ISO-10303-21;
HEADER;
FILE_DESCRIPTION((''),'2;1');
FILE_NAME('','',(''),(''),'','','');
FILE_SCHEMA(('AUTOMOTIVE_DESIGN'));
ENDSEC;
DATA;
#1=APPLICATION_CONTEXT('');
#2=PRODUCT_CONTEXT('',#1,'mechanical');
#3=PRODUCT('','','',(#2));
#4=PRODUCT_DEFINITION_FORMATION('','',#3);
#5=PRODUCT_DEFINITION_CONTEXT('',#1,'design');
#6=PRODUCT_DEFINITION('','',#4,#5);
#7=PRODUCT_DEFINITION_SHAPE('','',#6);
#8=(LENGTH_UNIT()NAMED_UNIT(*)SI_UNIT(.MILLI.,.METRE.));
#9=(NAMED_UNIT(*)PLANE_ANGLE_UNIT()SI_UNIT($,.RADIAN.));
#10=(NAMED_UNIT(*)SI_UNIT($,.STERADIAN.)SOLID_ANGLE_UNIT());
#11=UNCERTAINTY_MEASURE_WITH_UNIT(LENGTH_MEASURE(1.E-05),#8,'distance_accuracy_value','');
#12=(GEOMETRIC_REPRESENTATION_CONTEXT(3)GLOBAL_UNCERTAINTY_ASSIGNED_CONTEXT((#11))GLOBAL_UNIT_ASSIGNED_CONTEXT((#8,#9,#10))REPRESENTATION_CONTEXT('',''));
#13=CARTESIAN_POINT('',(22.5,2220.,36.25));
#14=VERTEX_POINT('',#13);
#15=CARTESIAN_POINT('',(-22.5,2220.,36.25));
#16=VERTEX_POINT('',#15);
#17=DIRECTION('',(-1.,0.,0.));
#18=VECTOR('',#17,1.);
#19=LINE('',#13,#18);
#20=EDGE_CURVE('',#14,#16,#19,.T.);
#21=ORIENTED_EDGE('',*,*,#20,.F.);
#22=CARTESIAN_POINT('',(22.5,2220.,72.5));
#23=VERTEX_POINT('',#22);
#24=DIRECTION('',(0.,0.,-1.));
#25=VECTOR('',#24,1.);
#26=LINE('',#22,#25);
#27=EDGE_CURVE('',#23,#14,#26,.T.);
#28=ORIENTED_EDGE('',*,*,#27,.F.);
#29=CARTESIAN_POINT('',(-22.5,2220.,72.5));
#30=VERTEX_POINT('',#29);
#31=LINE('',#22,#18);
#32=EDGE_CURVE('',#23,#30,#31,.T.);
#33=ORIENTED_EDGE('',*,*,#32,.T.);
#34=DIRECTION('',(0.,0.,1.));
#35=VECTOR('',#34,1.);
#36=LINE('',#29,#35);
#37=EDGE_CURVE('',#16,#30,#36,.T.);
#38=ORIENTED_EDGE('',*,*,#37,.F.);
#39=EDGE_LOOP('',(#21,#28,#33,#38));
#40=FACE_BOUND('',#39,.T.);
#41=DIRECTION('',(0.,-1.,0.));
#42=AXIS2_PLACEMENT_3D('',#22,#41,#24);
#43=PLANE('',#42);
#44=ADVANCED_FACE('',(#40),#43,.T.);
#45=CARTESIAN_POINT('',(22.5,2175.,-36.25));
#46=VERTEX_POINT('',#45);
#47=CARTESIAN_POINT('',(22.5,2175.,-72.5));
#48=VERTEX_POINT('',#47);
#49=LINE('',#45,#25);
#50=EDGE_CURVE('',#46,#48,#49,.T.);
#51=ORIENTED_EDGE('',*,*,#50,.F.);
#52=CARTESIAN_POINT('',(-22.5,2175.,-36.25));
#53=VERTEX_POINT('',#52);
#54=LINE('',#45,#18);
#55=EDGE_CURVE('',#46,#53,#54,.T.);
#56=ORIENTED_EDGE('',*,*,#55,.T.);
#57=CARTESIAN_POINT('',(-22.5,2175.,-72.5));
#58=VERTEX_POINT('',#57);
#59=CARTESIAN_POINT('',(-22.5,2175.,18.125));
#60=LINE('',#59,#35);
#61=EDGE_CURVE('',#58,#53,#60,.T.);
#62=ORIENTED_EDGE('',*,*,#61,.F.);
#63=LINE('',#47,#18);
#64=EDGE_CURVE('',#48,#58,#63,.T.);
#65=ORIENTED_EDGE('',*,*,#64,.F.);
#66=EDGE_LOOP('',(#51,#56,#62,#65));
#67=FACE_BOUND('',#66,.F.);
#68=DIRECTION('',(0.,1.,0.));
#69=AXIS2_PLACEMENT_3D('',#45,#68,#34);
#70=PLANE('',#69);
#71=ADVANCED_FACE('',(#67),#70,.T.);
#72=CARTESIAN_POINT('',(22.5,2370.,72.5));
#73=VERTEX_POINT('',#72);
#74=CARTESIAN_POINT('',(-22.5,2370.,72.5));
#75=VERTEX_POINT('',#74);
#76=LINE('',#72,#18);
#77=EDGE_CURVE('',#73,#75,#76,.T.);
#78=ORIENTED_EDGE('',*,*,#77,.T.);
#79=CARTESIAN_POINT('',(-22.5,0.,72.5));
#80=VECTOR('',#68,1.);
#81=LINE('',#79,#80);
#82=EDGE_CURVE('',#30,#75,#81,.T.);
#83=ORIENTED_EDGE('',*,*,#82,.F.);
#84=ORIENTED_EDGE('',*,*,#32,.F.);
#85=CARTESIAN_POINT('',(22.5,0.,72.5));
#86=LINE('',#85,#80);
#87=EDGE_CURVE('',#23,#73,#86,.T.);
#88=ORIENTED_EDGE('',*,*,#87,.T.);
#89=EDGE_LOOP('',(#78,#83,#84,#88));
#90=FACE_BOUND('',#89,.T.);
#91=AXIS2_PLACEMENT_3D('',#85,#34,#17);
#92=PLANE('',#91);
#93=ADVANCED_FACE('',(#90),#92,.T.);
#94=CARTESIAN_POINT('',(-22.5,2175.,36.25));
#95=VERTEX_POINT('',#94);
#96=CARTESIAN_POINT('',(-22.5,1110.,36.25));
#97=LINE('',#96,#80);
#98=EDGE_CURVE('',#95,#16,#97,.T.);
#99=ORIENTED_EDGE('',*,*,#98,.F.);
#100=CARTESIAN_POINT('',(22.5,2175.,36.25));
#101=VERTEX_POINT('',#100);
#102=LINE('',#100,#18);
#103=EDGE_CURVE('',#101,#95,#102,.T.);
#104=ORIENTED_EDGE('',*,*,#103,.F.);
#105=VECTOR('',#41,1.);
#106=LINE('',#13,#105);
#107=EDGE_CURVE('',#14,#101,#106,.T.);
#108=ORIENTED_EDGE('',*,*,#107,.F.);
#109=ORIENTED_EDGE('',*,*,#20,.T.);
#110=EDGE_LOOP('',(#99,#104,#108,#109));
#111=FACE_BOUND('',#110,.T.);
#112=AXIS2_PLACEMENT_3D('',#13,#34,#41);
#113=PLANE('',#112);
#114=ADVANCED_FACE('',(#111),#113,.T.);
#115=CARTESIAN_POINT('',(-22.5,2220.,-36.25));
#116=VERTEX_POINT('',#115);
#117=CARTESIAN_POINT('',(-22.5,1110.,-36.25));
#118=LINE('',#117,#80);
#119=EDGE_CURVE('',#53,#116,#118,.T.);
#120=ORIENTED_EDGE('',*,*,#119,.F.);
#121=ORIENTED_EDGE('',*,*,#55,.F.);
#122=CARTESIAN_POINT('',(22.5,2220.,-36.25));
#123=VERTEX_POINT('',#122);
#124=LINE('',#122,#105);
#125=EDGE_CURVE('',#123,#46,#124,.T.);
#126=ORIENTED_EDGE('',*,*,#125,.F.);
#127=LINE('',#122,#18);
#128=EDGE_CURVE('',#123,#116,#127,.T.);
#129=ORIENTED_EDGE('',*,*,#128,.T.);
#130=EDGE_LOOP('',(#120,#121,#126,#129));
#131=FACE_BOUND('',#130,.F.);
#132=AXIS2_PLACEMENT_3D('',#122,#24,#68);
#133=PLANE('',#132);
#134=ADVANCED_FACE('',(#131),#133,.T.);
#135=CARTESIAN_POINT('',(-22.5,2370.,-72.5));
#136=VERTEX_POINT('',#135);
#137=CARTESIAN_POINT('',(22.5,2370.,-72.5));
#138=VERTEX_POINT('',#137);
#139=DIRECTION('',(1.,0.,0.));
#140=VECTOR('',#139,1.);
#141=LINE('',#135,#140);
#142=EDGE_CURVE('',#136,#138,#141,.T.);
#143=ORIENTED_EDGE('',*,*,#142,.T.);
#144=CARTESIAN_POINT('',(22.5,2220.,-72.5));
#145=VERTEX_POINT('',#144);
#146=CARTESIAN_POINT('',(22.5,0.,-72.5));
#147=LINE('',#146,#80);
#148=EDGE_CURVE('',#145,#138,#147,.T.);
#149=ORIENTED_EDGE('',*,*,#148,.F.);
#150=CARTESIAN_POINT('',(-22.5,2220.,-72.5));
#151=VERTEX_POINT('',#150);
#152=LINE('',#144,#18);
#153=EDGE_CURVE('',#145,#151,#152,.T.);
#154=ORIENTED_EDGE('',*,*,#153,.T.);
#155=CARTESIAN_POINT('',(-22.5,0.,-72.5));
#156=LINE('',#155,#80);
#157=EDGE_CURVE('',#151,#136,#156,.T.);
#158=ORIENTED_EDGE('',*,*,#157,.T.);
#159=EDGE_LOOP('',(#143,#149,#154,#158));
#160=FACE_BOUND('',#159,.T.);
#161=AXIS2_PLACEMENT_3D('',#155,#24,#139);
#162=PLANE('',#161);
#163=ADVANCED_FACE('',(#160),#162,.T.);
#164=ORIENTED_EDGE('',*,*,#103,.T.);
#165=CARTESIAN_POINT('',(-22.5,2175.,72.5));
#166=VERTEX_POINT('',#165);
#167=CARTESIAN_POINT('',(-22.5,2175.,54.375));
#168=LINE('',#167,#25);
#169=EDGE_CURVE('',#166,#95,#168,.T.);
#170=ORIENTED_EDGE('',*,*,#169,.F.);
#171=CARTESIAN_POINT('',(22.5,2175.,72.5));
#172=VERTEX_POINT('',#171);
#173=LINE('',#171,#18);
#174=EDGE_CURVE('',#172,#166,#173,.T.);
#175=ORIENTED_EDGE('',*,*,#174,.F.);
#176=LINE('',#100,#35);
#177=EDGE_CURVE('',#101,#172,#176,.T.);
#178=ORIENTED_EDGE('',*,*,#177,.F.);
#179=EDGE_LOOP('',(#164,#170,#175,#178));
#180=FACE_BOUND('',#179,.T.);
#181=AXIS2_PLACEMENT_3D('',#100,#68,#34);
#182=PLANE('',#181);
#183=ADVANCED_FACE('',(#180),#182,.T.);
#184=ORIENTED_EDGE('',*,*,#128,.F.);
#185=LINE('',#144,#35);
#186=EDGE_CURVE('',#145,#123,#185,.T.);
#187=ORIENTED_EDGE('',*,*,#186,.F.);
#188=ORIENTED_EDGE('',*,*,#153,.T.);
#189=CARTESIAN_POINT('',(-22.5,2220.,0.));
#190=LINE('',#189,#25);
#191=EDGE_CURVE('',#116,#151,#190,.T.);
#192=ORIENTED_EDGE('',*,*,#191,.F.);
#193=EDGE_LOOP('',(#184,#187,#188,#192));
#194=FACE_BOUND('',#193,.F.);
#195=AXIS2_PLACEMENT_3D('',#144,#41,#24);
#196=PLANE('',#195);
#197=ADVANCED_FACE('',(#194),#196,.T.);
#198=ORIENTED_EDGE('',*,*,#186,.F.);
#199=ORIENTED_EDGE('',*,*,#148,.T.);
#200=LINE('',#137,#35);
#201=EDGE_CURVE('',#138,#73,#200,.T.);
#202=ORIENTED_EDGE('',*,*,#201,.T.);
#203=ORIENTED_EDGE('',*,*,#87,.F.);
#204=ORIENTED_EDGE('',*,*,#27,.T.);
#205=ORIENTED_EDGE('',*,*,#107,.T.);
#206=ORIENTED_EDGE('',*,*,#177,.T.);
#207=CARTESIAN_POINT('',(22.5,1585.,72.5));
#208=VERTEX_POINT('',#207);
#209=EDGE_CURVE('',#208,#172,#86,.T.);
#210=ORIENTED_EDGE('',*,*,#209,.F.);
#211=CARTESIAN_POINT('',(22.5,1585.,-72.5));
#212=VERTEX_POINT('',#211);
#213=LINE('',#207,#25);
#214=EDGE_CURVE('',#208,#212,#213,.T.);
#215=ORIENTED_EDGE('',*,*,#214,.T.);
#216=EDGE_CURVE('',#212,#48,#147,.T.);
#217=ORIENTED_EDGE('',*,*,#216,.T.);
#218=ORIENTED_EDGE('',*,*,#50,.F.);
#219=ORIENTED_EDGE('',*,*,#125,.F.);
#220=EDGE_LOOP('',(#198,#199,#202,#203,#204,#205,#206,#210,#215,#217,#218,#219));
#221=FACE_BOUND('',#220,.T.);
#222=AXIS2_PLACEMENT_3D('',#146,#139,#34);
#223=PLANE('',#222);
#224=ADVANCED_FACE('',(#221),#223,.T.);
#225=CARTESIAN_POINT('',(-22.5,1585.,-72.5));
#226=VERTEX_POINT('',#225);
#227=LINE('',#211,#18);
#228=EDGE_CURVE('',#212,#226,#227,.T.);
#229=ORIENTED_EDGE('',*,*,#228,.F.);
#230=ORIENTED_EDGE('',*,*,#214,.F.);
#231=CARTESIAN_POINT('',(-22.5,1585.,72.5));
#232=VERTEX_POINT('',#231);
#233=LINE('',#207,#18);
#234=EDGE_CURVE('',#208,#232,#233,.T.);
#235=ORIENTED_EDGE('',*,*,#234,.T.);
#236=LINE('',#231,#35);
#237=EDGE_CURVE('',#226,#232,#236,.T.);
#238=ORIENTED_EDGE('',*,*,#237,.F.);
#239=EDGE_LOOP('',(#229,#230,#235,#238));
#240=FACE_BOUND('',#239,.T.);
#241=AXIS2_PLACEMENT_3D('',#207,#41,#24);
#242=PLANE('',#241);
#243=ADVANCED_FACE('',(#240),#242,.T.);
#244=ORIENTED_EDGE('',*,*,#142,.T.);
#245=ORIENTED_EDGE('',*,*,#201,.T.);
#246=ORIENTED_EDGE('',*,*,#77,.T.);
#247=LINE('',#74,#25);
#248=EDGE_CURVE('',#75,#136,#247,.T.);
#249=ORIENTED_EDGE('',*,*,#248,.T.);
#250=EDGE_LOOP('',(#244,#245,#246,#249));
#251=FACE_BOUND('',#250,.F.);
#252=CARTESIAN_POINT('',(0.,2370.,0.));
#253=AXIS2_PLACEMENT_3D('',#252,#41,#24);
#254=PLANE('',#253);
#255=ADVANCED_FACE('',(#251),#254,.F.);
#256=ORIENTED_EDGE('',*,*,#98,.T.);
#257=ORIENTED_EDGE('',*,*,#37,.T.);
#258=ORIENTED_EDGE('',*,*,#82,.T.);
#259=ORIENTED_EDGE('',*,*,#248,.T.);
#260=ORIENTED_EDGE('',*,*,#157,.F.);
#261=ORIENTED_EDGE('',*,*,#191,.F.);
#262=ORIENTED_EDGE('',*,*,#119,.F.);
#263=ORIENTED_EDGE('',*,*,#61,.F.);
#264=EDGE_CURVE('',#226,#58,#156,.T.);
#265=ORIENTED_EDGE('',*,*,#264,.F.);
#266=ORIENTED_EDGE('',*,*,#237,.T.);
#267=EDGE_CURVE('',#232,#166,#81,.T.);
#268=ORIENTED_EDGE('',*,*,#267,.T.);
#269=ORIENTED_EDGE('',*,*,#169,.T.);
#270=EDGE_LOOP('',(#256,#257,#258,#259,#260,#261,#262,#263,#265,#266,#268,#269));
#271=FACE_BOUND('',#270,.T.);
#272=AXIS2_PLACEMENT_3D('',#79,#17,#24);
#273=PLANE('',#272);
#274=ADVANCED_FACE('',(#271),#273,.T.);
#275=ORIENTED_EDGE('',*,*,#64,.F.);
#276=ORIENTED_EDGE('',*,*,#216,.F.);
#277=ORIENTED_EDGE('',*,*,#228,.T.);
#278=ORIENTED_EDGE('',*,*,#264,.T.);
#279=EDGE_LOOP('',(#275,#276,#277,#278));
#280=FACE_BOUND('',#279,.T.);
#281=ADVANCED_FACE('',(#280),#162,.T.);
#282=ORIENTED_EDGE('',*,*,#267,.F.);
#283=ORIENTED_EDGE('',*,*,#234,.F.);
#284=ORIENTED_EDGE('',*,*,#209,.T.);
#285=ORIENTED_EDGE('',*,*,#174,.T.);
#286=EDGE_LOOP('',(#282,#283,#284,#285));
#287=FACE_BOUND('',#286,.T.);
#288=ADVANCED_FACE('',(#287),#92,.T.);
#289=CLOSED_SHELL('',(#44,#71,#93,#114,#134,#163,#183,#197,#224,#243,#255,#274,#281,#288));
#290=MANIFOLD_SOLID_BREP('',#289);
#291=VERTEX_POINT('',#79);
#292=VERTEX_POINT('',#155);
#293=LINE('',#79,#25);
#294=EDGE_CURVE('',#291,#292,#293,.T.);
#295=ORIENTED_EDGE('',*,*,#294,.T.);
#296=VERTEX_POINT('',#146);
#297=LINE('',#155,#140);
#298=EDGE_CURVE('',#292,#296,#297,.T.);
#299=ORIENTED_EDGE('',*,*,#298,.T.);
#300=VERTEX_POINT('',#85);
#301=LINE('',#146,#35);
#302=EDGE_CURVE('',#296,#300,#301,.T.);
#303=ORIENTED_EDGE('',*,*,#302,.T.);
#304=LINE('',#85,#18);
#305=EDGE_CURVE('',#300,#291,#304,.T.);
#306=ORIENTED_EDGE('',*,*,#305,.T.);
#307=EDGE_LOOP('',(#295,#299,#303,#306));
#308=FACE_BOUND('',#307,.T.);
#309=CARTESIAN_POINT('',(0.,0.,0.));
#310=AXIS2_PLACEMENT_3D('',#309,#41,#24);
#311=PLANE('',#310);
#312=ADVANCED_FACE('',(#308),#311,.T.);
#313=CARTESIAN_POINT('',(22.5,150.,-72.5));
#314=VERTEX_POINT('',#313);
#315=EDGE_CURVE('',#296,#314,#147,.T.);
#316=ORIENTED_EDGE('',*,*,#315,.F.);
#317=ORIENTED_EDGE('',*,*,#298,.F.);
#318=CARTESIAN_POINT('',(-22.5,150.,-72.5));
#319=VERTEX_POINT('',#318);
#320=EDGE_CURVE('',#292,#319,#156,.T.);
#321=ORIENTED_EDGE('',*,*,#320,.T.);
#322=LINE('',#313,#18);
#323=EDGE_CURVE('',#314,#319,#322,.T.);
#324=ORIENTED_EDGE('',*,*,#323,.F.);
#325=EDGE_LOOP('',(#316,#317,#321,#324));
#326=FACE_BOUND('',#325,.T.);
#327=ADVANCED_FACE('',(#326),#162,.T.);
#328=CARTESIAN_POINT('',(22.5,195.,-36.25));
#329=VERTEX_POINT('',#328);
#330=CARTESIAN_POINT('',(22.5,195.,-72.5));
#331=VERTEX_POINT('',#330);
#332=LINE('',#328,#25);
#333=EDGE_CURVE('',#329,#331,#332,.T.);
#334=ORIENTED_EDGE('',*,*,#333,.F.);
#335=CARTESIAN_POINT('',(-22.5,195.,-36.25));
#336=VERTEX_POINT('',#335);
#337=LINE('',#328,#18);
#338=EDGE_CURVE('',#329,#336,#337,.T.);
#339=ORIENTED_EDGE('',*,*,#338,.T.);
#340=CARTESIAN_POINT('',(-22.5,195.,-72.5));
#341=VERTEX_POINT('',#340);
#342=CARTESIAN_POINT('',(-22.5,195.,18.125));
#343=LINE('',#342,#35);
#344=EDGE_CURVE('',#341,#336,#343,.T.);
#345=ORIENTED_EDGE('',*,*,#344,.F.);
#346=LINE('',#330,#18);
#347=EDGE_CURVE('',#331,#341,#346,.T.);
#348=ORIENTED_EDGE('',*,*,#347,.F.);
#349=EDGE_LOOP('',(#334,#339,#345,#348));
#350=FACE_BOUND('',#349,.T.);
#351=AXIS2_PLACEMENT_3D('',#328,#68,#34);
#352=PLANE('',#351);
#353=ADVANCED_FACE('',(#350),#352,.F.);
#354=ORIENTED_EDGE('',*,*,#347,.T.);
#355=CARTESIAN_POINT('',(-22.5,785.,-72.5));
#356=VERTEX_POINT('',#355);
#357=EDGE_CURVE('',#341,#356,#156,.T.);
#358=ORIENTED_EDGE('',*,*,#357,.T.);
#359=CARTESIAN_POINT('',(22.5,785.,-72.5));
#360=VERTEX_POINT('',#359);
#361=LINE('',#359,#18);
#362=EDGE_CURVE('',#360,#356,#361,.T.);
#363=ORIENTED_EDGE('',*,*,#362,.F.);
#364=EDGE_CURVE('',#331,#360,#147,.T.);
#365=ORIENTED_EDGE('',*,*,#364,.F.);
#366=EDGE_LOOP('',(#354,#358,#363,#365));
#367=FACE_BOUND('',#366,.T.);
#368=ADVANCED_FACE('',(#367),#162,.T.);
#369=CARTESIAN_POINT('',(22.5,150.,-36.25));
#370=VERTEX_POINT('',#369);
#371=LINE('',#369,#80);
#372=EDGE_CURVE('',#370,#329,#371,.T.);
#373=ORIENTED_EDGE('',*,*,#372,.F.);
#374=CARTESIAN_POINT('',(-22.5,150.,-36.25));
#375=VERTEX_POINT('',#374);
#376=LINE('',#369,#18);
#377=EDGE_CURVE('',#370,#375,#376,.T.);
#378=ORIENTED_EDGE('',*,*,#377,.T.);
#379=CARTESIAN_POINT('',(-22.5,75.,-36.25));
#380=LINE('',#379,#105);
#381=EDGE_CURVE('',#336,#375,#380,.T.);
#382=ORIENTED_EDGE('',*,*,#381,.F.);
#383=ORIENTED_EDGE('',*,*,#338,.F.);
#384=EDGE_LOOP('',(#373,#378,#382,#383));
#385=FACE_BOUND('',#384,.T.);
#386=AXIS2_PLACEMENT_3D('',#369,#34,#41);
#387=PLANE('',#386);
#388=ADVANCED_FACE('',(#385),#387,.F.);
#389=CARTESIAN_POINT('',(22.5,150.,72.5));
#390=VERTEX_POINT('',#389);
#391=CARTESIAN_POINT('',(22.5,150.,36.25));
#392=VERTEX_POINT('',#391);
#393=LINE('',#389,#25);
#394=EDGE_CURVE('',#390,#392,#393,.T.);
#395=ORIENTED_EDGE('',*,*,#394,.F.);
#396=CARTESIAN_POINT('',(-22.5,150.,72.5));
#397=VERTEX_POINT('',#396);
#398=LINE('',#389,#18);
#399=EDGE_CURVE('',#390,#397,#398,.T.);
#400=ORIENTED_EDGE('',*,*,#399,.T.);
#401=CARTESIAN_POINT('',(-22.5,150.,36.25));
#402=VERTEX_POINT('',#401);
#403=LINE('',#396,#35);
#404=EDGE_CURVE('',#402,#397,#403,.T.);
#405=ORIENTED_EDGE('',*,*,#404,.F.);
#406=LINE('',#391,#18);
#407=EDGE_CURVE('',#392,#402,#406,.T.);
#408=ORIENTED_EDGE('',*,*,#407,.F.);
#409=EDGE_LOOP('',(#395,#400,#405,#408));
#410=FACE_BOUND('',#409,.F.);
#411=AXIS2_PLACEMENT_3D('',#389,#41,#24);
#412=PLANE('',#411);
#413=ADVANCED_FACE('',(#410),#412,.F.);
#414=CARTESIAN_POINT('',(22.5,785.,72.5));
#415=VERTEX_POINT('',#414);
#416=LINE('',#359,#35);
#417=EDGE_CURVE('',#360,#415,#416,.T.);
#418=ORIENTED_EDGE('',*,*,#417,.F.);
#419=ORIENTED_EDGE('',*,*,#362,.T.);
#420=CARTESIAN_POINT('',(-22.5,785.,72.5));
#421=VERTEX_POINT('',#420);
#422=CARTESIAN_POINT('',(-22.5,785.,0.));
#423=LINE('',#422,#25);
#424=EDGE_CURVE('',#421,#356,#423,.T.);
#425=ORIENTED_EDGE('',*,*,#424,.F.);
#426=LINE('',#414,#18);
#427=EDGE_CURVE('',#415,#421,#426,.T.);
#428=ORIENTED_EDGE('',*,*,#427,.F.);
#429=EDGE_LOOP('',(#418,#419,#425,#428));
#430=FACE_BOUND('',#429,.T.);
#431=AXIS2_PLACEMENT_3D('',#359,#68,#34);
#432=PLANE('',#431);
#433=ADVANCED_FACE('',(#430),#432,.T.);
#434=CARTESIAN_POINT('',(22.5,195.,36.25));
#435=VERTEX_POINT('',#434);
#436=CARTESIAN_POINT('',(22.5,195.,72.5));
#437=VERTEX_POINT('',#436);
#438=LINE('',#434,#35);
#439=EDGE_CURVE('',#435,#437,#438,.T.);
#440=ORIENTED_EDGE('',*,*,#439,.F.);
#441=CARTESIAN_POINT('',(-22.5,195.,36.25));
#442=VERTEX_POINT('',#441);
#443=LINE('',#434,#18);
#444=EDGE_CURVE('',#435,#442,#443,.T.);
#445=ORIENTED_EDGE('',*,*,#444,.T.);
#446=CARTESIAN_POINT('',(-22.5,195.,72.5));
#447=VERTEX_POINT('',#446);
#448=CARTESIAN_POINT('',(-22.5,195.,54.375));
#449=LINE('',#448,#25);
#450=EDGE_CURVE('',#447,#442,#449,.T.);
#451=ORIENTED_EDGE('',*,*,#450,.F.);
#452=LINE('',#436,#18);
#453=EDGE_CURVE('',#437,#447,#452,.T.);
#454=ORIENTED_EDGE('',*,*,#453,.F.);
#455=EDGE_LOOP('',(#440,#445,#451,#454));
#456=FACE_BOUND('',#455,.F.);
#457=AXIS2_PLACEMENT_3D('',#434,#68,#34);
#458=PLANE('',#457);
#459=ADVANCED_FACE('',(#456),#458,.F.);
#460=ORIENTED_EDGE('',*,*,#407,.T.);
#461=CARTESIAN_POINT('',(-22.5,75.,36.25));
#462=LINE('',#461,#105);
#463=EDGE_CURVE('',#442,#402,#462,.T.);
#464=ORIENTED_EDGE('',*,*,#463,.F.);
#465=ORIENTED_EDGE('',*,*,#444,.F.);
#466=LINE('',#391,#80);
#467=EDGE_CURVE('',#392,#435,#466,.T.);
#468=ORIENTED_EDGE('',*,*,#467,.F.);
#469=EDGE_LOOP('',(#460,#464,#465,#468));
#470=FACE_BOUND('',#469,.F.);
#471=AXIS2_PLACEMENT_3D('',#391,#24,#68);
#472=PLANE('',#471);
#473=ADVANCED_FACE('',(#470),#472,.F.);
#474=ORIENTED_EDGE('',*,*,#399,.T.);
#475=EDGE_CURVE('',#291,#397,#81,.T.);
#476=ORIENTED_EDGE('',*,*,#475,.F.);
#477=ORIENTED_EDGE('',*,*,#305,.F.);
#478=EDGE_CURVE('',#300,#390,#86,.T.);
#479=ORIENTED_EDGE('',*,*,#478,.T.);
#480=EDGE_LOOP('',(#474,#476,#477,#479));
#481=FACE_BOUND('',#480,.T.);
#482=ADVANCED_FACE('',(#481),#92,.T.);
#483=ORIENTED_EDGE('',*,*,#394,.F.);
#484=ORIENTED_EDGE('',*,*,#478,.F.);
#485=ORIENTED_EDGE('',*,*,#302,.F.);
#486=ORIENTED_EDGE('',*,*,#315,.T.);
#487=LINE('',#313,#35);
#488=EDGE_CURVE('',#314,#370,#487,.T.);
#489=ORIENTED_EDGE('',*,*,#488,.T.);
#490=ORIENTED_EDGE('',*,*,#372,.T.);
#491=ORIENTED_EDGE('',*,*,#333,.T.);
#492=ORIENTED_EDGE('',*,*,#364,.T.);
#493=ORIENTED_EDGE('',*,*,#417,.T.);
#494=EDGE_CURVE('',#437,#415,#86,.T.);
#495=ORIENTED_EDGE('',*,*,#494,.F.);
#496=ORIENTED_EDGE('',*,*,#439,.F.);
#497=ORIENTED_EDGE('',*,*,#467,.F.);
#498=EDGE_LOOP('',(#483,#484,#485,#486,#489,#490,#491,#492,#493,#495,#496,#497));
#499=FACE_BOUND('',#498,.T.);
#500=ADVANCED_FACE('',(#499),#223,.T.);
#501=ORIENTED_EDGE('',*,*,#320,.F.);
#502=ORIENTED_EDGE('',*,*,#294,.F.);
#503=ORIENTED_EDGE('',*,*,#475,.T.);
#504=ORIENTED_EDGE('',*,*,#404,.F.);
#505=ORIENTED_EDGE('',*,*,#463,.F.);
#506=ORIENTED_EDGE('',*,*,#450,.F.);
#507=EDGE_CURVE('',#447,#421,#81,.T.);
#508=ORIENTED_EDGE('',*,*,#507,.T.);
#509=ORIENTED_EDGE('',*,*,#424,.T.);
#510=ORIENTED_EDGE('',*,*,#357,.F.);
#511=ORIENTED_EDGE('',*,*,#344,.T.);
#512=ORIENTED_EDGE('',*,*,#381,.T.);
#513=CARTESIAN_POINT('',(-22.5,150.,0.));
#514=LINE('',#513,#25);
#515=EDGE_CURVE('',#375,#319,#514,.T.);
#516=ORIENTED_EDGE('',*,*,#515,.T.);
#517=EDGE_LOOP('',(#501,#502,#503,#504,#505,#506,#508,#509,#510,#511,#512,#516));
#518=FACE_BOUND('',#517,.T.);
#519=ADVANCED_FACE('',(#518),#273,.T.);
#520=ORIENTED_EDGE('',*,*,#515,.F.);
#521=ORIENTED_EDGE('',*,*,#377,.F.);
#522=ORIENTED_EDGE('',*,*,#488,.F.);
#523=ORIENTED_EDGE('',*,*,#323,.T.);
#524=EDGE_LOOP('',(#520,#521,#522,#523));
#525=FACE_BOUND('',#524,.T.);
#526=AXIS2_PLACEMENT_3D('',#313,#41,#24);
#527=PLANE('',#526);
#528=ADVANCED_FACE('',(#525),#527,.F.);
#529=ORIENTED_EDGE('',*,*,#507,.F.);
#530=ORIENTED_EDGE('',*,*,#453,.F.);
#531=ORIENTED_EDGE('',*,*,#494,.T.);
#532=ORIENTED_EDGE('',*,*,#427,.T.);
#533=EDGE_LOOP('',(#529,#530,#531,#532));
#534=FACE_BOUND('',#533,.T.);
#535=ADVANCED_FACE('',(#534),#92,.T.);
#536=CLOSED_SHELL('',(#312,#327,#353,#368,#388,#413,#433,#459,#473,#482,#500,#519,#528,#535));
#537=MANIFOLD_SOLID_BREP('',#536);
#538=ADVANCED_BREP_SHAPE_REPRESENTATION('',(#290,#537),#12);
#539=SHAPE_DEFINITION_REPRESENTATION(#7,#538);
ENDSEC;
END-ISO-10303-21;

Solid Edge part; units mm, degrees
sketch "Sketch1" plane through (0, 0, 0) normal (0, -1, 0) x (1, 0, 0)
  line L0 (-22.5, -72.5) -> (22.5, -72.5)
  line L1 (22.5, -72.5) -> (22.5, 72.5)
  line L2 (22.5, 72.5) -> (-22.5, 72.5)
  line L3 (-22.5, 72.5) -> (-22.5, -72.5)
extrude "Protrusion1" add sketch "Sketch1" against normal blind 2370
sketch "Sketch2" plane through (22.5, 1185, 0) normal (1, 0, 0) x (0, 1, 0)
  line L0 (1035, 72.5) -> (1035, 36.25)
  line L1 (1035, 36.25) -> (990, 36.25)
  line L2 (990, 36.25) -> (990, 72.5)
  line L3 (990, 72.5) -> (1035, 72.5)
  line L4 (-1035, 72.5) -> (-1035, 36.25)
  line L5 (-1035, 36.25) -> (-990, 36.25)
  line L6 (-990, 36.25) -> (-990, 72.5)
  line L7 (-990, 72.5) -> (-1035, 72.5)
extrude "ExtrudedCutout_1" cut sketch "Sketch2" against normal blind 89.2118
mirror "Mirror1" about plane through (0, 0, 0) normal (0, 0, -1) of "ExtrudedCutout_1"
sketch "Sketch3" plane through (22.5, 1185, 0) normal (1, 0, 0) x (0, 1, 0)
  line L0 (-400, -72.5) -> (-400, 72.5)
  line L1 (-400, 72.5) -> (400, 72.5)
  line L2 (400, 72.5) -> (400, -72.5)
  line L3 (400, -72.5) -> (-400, -72.5)
extrude "ExtrudedCutout_2" cut sketch "Sketch3" against normal blind 464.0383
properties material "Wood, Pine"
